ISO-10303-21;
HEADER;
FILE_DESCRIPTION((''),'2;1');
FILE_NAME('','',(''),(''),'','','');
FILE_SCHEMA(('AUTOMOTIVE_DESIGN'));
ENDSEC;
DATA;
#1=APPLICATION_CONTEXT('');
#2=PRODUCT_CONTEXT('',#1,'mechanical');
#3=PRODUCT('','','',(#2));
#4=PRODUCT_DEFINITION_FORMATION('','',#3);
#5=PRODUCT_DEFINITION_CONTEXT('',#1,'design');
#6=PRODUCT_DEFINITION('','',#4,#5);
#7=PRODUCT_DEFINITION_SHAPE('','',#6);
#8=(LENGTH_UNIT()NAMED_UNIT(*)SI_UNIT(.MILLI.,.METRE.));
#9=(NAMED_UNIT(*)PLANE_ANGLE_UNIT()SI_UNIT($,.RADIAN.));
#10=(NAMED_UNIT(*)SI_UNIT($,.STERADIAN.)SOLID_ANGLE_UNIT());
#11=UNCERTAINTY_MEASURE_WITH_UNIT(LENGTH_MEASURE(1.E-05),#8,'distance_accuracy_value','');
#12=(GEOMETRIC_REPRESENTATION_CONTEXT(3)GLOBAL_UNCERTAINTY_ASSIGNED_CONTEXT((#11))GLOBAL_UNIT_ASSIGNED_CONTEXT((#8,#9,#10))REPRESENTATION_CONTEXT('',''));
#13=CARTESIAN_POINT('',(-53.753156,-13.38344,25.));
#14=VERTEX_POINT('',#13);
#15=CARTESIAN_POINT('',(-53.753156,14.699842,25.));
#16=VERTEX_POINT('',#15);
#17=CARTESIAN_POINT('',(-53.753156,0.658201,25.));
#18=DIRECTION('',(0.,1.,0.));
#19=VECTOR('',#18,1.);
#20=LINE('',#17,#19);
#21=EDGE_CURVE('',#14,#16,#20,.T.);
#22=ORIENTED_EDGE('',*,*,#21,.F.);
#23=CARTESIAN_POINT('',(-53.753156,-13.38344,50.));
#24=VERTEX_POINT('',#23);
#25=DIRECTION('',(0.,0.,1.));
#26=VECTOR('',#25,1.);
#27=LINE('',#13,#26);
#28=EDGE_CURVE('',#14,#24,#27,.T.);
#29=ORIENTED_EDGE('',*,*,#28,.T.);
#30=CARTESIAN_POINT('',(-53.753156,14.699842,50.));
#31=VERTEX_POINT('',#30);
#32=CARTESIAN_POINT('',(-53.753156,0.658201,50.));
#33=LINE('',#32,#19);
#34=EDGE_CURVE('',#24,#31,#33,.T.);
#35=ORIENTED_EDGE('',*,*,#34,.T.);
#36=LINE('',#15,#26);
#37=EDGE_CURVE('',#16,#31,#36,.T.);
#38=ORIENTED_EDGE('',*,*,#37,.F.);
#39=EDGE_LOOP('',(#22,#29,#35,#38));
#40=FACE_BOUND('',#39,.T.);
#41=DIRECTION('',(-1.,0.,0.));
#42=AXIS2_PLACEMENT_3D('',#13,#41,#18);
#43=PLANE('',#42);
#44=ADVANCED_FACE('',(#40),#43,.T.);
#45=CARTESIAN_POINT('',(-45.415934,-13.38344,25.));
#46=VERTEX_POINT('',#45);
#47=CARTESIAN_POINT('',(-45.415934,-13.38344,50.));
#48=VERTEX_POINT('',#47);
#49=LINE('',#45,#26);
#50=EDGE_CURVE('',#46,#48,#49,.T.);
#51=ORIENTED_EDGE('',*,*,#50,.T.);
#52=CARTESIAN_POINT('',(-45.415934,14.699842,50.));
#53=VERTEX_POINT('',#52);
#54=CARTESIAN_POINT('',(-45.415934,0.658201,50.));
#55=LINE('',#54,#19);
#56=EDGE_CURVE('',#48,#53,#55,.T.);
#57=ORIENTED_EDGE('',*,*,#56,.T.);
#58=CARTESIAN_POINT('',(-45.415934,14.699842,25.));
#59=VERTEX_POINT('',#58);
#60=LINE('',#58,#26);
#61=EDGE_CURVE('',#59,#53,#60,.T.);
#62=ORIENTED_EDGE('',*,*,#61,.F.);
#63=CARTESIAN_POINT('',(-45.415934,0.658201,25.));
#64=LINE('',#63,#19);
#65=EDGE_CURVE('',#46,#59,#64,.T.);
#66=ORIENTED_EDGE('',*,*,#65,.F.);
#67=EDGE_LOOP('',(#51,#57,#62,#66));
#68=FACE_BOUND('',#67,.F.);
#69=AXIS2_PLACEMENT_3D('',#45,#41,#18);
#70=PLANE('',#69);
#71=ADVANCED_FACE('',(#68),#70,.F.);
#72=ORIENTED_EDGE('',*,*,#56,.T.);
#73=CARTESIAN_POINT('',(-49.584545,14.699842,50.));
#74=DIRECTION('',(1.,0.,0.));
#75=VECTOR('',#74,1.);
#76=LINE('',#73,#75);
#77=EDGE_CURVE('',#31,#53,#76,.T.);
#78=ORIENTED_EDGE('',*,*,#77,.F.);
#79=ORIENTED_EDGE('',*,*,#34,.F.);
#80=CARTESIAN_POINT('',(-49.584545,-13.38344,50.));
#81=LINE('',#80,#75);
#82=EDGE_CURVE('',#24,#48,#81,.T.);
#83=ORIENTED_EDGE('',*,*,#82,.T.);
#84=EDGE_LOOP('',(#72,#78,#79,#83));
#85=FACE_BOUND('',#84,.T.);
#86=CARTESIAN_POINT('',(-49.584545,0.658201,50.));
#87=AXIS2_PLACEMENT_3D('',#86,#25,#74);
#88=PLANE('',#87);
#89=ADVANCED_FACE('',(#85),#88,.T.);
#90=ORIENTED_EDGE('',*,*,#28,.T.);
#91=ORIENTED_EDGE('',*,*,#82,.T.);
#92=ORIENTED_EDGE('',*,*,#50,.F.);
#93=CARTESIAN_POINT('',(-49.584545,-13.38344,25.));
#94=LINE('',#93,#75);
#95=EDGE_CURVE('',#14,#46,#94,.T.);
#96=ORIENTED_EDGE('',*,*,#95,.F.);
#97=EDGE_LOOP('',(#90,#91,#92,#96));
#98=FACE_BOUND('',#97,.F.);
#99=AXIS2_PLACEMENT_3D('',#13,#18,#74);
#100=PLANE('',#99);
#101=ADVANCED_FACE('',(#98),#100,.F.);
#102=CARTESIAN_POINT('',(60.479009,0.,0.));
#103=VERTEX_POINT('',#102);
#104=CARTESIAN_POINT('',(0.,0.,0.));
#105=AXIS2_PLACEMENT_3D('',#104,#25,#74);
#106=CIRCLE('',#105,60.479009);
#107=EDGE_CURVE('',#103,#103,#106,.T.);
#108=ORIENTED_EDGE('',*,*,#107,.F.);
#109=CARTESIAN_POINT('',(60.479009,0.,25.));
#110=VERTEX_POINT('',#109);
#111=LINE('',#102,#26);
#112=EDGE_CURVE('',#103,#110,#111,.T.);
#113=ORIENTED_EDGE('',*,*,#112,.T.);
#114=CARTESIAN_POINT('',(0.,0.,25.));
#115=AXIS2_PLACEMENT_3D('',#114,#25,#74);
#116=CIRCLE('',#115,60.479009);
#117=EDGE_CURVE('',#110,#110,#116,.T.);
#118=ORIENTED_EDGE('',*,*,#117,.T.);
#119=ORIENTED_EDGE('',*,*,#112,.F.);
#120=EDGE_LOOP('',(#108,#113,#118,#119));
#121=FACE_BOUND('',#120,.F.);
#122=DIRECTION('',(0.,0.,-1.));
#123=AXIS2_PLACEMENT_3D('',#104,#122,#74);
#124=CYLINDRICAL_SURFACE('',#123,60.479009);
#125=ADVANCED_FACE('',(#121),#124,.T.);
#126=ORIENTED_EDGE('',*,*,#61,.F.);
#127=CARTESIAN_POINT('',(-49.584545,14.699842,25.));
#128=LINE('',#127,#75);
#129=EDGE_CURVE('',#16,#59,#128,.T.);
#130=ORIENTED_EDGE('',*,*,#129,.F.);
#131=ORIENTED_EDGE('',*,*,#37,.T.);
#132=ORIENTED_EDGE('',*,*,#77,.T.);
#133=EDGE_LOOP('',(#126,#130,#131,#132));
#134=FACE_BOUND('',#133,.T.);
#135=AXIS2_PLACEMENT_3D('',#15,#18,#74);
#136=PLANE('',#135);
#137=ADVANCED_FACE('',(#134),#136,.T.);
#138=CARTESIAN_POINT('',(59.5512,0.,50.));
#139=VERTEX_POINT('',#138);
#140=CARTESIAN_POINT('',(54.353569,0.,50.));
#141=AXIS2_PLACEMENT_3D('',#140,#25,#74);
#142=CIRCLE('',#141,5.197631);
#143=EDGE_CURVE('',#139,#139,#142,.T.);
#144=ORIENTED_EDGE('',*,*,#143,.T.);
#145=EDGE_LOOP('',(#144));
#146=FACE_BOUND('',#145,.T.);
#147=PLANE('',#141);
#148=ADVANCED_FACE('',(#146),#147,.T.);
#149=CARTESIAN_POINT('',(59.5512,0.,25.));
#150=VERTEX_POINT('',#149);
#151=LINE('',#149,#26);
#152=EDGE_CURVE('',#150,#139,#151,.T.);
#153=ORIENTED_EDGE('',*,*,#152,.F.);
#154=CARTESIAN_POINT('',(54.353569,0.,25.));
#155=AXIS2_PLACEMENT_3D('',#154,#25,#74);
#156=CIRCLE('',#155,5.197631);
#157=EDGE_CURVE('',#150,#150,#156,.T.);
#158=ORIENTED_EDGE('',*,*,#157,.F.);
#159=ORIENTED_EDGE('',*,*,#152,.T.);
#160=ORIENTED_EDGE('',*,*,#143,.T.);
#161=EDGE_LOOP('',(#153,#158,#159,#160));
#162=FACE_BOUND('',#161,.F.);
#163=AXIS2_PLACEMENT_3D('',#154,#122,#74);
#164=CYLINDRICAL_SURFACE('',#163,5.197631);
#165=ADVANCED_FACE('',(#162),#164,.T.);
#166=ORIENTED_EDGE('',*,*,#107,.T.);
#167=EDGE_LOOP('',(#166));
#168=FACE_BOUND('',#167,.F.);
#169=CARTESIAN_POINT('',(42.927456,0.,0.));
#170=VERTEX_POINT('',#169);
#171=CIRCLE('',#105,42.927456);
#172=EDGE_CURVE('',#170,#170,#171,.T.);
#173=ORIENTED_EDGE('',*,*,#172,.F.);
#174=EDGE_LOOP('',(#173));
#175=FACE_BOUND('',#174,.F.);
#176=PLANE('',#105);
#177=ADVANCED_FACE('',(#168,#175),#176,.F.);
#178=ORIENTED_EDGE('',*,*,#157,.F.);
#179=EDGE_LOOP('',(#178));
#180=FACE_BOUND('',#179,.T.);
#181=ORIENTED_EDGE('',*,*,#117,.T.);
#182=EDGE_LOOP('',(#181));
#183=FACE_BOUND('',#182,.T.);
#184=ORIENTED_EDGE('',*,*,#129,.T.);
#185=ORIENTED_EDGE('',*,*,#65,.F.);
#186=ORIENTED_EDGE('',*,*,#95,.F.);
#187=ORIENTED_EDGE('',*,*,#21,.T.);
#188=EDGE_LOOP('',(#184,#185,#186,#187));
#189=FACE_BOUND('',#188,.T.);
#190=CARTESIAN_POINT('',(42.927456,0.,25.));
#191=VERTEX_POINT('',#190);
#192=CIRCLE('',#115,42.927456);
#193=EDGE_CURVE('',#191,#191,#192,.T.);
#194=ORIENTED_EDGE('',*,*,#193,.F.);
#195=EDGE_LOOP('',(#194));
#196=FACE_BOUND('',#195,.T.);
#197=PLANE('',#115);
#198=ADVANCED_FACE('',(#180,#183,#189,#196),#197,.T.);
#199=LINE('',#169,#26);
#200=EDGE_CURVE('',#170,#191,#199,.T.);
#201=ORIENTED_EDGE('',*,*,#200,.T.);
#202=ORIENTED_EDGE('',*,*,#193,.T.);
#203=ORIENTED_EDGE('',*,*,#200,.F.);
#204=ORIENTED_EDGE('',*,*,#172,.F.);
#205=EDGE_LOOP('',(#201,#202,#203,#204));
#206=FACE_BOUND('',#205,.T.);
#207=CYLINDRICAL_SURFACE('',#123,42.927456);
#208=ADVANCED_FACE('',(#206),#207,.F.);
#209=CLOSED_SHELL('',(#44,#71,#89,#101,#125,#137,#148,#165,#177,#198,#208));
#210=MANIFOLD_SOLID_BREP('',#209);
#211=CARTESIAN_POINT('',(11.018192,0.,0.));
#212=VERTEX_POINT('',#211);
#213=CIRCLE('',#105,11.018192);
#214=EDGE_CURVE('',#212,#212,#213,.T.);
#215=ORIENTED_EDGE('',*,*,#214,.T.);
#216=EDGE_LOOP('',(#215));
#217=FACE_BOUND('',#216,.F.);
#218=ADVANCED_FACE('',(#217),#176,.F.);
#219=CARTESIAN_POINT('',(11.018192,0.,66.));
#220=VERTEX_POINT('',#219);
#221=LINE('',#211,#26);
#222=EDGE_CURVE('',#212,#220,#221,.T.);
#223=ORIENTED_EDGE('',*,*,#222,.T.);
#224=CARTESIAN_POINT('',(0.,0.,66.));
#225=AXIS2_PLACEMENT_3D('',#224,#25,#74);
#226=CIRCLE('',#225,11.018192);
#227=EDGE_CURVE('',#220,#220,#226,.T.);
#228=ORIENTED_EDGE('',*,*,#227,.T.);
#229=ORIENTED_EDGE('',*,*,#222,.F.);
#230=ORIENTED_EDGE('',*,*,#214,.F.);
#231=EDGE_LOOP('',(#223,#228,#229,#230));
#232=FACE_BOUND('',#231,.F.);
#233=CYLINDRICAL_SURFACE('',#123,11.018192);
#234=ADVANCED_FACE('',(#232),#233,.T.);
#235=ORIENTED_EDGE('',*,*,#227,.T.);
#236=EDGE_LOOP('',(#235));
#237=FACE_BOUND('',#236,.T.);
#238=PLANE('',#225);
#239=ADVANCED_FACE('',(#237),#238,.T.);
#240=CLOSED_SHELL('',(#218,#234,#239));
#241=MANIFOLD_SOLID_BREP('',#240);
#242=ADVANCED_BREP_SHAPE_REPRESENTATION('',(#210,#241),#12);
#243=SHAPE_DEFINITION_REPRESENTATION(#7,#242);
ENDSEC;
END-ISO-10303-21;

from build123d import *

# Parameters (mm, degrees)
F0_R     = 11.018192
F1_DEPTH = 66
F0_R_2   = 60.479009
F0_R_3   = 42.927456
F2_DEPTH = 25
F3_W     = 8.337222
F3_H     = 28.083282
F4_DEPTH = 25
F5_R     = 5.197631
F6_DEPTH = 25


with BuildPart() as f1:
    # F0 (on Top) → F1 (new body)
    with BuildSketch(Plane.XY):
        Circle(F0_R)
    extrude(amount=F1_DEPTH)


with BuildPart() as f2:
    # F0 (on Top) → F2 (new body)
    with BuildSketch(Plane.XY):
        Circle(F0_R_2)
        Circle(F0_R_3, mode=Mode.SUBTRACT)
    extrude(amount=F2_DEPTH)

    # F3 (on face) → F4 (join)
    with BuildSketch(Plane.XY.offset(25)):
        with Locations((-49.584545, 0.658201)):
            Rectangle(F3_W, F3_H)
    extrude(amount=F4_DEPTH)

    # F5 (on face) → F6 (join)
    with BuildSketch(Plane.XY.offset(25)):
        with Locations((54.353569, 0)):
            Circle(F5_R)
    extrude(amount=F6_DEPTH)


solid = Compound([f1.part, f2.part])
